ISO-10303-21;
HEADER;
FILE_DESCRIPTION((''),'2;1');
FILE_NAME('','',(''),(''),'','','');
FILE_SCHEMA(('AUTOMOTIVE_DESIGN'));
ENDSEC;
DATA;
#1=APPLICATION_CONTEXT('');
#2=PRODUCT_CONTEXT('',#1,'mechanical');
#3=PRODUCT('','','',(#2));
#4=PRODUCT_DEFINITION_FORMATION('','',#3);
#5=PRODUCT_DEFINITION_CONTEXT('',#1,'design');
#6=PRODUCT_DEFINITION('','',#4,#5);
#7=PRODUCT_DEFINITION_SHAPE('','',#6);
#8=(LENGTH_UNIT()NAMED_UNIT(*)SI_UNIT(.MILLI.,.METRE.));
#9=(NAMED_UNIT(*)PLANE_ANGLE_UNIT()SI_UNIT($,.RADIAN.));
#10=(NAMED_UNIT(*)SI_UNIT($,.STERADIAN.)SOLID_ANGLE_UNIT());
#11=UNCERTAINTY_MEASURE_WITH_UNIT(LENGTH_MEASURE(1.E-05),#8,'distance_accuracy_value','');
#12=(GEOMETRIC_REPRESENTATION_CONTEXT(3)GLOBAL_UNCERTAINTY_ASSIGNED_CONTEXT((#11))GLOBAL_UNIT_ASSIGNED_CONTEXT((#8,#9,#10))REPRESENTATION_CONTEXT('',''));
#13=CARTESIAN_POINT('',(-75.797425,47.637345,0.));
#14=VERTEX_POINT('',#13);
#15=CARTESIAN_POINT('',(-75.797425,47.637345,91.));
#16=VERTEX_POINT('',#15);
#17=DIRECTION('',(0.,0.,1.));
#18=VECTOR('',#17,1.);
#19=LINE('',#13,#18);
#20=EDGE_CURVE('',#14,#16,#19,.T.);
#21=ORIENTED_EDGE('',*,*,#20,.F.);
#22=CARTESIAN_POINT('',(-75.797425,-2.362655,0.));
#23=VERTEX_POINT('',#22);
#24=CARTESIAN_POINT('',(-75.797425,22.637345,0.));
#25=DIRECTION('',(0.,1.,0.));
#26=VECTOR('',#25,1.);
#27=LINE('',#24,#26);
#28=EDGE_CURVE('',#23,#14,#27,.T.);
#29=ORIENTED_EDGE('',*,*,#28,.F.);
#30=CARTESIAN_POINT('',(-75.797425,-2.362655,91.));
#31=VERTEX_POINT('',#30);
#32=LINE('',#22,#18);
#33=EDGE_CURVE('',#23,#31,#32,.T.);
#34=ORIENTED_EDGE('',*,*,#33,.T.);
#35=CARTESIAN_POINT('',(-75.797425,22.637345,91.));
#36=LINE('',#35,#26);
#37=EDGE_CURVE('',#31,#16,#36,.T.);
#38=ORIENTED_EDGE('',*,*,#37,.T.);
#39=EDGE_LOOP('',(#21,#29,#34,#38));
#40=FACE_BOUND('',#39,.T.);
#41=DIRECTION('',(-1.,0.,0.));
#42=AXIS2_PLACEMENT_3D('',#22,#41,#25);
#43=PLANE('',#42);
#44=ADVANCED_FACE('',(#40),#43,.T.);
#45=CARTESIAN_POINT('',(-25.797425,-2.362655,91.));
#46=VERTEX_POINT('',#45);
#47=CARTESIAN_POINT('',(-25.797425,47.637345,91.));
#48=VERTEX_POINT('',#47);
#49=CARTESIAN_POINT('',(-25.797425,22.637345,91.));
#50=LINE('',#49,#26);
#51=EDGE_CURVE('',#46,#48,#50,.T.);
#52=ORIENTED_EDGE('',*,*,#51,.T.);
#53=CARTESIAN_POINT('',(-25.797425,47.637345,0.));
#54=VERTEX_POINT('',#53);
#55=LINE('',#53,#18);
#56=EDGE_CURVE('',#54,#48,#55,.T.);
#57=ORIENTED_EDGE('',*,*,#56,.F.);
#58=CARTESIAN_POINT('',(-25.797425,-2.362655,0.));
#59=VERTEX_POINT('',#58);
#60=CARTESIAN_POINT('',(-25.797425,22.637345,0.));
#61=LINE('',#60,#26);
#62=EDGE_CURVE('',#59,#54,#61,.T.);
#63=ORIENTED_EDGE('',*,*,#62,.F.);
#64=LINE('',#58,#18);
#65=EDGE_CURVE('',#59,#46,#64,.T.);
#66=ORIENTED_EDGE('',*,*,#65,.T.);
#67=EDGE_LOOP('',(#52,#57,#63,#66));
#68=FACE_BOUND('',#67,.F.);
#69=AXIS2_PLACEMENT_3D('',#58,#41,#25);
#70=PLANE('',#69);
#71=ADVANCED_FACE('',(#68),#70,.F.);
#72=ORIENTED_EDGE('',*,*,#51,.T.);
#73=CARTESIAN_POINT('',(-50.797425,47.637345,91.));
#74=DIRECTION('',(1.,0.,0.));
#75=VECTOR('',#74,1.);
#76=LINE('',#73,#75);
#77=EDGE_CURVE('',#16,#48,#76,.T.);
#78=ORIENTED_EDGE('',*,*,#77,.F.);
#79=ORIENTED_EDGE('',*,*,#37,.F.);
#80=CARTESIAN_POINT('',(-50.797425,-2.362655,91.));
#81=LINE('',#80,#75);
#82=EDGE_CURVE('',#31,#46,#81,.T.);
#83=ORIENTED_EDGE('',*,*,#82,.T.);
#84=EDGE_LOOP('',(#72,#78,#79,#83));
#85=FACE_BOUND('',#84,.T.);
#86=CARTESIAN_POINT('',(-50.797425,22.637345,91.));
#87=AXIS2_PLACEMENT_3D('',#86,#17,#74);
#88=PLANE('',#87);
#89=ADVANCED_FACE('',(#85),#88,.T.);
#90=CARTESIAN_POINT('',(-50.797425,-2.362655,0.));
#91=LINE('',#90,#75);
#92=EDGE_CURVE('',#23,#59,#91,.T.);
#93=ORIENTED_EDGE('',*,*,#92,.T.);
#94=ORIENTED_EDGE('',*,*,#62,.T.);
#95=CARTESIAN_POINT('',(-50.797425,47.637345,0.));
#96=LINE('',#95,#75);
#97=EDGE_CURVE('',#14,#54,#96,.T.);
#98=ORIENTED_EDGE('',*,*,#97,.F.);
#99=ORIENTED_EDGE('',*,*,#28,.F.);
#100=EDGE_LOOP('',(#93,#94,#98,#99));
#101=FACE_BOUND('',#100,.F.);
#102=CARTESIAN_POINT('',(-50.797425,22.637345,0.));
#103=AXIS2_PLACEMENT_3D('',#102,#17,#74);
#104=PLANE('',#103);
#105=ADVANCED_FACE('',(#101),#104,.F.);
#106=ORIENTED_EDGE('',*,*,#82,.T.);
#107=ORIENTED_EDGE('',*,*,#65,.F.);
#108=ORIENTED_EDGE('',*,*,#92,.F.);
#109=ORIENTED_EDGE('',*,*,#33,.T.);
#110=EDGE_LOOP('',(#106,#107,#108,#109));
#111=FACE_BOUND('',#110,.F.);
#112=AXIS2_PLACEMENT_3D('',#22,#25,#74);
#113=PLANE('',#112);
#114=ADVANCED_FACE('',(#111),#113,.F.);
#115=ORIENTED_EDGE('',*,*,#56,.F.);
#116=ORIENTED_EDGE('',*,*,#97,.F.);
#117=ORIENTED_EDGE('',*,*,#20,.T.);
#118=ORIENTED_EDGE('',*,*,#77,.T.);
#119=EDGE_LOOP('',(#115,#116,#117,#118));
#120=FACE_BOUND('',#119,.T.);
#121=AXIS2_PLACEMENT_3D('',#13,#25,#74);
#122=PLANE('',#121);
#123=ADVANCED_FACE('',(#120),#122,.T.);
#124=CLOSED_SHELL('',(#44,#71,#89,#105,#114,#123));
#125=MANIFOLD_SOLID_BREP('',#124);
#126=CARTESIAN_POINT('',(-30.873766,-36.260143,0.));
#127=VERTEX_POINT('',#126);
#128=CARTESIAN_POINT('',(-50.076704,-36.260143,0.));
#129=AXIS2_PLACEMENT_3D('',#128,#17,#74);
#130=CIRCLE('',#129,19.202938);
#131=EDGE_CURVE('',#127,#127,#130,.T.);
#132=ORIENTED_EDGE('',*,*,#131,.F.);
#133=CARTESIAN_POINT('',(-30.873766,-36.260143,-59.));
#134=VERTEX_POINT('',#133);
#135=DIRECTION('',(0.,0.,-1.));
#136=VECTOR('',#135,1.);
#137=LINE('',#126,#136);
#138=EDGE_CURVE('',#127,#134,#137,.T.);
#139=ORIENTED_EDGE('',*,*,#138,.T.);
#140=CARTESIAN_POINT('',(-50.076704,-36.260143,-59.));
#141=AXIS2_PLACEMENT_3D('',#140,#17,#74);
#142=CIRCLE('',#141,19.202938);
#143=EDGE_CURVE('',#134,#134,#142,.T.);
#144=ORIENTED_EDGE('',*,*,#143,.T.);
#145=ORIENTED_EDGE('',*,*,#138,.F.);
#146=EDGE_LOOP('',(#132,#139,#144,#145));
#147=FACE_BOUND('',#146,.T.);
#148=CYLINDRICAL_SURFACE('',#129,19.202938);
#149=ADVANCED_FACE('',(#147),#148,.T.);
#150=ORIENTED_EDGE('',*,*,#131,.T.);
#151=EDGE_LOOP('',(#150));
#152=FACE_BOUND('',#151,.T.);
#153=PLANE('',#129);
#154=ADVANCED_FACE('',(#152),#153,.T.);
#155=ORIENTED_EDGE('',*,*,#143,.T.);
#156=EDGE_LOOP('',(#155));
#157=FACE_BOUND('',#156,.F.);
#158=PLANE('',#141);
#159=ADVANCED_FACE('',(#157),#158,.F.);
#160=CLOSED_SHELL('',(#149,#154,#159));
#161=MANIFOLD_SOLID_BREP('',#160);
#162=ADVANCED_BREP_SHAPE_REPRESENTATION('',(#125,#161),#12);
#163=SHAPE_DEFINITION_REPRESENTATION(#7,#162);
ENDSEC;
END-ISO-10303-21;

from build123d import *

# Parameters (mm, degrees)
F0_W     = 50
F0_H     = 50
F1_DEPTH = 91
F2_R     = 19.202938
F3_DEPTH = 59


with BuildPart() as f1:
    # F0 (on Top) → F1 (new body)
    with BuildSketch(Plane.XY):
        with Locations((-50.797425, 22.637345)):
            Rectangle(F0_W, F0_H)
    extrude(amount=F1_DEPTH)


with BuildPart() as f3:
    # F2 (on Top) → F3 (new body)
    with BuildSketch(Plane.XY):
        with Locations((-50.076704, -36.260143)):
            Circle(F2_R)
    extrude(amount=-F3_DEPTH)


solid = Compound([f1.part, f3.part])
